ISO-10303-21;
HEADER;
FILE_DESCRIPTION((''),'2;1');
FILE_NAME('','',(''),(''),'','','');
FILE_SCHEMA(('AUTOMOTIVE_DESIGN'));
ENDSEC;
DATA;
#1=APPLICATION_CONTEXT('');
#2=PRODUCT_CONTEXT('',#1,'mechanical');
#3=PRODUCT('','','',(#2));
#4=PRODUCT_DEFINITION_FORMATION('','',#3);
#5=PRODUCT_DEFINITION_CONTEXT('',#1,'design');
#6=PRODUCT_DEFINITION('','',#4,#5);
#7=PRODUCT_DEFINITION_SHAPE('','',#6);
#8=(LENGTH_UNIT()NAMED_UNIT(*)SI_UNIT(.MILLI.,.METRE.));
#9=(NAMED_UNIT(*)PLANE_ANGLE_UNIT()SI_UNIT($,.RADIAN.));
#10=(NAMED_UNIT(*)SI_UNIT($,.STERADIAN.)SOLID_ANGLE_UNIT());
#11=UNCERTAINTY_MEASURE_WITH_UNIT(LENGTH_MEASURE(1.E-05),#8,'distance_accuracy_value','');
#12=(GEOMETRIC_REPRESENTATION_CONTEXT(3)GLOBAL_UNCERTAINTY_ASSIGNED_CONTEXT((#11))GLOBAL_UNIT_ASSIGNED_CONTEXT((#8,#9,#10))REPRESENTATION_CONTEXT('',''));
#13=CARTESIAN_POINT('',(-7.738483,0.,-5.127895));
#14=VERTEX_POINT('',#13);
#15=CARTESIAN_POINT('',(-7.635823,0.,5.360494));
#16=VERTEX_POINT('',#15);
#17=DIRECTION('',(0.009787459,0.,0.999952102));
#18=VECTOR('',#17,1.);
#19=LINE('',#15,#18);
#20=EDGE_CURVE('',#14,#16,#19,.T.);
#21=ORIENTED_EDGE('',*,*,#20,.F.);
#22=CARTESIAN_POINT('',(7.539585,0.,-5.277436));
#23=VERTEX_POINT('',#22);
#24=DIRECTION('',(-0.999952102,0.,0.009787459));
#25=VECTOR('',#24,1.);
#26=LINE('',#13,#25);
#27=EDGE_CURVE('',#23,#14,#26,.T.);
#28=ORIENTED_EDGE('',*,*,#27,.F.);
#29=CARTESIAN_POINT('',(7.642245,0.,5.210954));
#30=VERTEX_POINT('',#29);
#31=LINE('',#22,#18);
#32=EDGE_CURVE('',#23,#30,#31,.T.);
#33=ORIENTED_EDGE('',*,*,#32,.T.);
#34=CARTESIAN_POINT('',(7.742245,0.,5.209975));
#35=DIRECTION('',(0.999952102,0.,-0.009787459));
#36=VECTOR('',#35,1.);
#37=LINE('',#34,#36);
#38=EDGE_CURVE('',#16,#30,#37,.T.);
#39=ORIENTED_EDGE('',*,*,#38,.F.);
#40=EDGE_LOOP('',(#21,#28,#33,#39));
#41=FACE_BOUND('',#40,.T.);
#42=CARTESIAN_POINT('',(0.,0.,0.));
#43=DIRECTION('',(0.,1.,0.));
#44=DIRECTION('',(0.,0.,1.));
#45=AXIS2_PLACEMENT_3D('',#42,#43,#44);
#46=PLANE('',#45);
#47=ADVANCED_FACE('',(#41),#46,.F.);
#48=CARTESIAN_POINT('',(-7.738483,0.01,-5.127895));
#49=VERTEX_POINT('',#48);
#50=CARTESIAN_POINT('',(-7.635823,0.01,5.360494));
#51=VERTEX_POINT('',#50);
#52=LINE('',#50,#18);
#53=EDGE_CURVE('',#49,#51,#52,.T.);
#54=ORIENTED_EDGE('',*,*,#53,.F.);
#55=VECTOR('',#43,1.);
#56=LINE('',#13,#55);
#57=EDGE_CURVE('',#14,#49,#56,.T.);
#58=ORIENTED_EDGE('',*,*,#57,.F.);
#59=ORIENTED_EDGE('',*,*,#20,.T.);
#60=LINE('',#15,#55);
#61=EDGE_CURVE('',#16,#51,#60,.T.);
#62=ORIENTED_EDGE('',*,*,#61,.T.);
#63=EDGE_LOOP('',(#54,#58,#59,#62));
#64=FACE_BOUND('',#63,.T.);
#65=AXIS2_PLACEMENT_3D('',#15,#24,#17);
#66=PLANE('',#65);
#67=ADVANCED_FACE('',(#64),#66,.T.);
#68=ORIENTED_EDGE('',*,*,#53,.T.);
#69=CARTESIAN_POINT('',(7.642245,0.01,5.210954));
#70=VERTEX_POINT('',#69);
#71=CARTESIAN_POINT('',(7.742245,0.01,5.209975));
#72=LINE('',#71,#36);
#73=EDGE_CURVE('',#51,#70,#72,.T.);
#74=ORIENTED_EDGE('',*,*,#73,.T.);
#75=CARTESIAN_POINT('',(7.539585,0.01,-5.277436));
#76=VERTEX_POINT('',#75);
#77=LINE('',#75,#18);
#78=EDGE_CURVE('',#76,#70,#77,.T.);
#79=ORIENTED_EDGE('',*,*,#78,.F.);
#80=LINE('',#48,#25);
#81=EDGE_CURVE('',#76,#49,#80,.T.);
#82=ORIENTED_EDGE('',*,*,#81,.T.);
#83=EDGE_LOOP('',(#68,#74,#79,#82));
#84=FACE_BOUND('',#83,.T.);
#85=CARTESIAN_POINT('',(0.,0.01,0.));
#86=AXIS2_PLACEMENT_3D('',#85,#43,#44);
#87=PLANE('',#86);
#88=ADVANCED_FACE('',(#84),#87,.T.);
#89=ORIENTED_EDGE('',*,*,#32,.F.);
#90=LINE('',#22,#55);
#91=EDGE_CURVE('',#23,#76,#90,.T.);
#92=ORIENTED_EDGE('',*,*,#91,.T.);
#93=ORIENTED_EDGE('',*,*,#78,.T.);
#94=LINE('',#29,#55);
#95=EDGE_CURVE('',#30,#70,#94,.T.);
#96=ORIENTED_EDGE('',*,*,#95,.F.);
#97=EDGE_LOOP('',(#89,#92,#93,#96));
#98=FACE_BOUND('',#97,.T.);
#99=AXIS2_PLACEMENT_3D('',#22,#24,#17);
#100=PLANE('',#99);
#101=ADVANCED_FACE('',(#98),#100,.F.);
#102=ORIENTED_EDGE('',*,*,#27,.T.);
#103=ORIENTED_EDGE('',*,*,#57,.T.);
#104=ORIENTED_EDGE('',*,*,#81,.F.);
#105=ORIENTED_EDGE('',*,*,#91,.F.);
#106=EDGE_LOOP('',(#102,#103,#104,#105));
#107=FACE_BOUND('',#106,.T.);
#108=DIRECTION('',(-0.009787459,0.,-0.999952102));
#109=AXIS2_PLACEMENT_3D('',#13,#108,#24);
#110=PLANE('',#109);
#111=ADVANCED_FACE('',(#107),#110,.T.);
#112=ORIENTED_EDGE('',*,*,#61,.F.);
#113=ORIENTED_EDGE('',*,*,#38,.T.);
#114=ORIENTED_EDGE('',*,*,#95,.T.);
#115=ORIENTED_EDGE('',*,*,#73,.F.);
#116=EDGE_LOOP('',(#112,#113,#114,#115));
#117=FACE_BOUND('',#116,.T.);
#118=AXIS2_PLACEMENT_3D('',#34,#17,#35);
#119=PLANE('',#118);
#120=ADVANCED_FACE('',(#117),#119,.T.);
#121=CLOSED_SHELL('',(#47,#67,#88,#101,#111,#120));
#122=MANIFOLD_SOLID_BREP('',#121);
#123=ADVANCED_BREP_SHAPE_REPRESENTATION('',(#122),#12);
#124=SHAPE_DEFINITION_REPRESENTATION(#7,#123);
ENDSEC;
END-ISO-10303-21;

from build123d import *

# Parameters (mm, degrees)
SKETCH_1_W          = 17
SKETCH_1_H          = 12
EXTRUDE_1_DEPTH     = 0.01
SKETCH_2_W          = 23.426921432
SKETCH_2_H          = 16.11755769
CUT_EXTRUDE_1_DEPTH = 0.01
CUT_EXTRUDE_2_DEPTH = 0.01


with BuildPart() as part:
    # Эскиз1 → Бобышка-Вытянуть1 (new body)
    with BuildSketch(Plane(origin=(0, 0, 0), x_dir=(1, 0, 0), z_dir=(0, 1, 0))):
        Rectangle(SKETCH_1_W, SKETCH_1_H)
    extrude(amount=EXTRUDE_1_DEPTH)

    # Эскиз2 → Вырез-Вытянуть1 (cut)
    with BuildSketch(Plane(origin=(0, 0.01, 0), x_dir=(1, 0, 0), z_dir=(0, 1, 0))):
        Rectangle(SKETCH_2_W, SKETCH_2_H)
        Polygon((-7.738482856, 5.127895165), (7.639585466, 5.278414594), (7.742245069, -5.209974858), (-7.635823253, -5.360494287), align=None, mode=Mode.SUBTRACT)
    extrude(amount=-CUT_EXTRUDE_1_DEPTH, mode=Mode.SUBTRACT)

    # Эскиз3 → Вырез-Вытянуть2 (cut)
    with BuildSketch(Plane(origin=(0, 0.01, 0), x_dir=(1, 0, 0), z_dir=(0, 1, 0))):
        Polygon((7.639585466, 5.278414594), (7.742245069, -5.209974858), (7.642245069, -5.210953651), (7.539585466, 5.277435801), align=None)
    extrude(amount=-CUT_EXTRUDE_2_DEPTH, mode=Mode.SUBTRACT)


solid = part.part
